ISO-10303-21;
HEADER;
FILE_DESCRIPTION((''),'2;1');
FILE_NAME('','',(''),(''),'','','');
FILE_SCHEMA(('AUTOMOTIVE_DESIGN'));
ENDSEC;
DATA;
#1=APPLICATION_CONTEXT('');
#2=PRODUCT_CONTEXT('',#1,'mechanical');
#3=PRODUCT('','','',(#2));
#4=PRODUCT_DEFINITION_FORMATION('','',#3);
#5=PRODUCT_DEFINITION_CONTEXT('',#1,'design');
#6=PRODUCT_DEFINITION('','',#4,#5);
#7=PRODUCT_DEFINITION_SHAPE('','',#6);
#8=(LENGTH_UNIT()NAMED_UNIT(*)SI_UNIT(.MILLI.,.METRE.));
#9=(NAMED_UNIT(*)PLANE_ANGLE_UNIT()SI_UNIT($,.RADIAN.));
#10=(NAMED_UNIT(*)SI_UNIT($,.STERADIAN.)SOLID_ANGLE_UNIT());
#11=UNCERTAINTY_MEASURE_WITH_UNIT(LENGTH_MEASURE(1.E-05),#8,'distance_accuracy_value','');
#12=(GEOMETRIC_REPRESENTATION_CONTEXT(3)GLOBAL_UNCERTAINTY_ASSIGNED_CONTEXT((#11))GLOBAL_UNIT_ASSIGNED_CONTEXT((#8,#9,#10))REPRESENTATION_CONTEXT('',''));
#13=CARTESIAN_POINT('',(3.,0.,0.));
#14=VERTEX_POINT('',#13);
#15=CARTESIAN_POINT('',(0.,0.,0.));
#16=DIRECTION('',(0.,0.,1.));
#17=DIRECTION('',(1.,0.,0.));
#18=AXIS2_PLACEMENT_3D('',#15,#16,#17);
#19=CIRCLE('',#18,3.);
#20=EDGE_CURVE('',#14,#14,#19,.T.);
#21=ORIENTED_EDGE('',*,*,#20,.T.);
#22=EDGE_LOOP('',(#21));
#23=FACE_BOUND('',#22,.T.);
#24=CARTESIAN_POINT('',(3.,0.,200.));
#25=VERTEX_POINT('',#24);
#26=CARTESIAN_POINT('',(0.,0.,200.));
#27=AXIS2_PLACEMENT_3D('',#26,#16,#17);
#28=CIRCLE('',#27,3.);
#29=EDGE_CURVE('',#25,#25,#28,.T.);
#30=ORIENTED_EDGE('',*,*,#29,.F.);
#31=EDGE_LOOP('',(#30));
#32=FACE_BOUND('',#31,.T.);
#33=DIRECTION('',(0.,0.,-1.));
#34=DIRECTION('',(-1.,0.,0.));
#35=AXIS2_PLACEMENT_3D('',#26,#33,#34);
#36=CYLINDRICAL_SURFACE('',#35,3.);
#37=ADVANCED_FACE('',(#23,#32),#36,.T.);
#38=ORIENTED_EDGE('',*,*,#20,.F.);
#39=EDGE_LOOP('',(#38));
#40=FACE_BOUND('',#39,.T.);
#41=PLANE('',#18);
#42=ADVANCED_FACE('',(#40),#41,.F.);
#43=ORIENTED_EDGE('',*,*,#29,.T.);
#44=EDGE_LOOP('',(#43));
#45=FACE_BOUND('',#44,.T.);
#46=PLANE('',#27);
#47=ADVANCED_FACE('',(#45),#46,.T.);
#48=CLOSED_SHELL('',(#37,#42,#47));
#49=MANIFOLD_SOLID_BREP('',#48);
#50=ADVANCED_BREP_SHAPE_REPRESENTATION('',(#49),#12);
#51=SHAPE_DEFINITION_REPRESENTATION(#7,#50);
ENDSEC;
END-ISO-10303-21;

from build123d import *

# Parameters (mm, degrees)
SKETCH_1_R      = 3
EXTRUDE_1_DEPTH = 200


with BuildPart() as part:
    # 草图1 → 凸台-拉伸1 (new body)
    with BuildSketch(Plane.XY):
        Circle(SKETCH_1_R)
    extrude(amount=EXTRUDE_1_DEPTH)


solid = part.part
